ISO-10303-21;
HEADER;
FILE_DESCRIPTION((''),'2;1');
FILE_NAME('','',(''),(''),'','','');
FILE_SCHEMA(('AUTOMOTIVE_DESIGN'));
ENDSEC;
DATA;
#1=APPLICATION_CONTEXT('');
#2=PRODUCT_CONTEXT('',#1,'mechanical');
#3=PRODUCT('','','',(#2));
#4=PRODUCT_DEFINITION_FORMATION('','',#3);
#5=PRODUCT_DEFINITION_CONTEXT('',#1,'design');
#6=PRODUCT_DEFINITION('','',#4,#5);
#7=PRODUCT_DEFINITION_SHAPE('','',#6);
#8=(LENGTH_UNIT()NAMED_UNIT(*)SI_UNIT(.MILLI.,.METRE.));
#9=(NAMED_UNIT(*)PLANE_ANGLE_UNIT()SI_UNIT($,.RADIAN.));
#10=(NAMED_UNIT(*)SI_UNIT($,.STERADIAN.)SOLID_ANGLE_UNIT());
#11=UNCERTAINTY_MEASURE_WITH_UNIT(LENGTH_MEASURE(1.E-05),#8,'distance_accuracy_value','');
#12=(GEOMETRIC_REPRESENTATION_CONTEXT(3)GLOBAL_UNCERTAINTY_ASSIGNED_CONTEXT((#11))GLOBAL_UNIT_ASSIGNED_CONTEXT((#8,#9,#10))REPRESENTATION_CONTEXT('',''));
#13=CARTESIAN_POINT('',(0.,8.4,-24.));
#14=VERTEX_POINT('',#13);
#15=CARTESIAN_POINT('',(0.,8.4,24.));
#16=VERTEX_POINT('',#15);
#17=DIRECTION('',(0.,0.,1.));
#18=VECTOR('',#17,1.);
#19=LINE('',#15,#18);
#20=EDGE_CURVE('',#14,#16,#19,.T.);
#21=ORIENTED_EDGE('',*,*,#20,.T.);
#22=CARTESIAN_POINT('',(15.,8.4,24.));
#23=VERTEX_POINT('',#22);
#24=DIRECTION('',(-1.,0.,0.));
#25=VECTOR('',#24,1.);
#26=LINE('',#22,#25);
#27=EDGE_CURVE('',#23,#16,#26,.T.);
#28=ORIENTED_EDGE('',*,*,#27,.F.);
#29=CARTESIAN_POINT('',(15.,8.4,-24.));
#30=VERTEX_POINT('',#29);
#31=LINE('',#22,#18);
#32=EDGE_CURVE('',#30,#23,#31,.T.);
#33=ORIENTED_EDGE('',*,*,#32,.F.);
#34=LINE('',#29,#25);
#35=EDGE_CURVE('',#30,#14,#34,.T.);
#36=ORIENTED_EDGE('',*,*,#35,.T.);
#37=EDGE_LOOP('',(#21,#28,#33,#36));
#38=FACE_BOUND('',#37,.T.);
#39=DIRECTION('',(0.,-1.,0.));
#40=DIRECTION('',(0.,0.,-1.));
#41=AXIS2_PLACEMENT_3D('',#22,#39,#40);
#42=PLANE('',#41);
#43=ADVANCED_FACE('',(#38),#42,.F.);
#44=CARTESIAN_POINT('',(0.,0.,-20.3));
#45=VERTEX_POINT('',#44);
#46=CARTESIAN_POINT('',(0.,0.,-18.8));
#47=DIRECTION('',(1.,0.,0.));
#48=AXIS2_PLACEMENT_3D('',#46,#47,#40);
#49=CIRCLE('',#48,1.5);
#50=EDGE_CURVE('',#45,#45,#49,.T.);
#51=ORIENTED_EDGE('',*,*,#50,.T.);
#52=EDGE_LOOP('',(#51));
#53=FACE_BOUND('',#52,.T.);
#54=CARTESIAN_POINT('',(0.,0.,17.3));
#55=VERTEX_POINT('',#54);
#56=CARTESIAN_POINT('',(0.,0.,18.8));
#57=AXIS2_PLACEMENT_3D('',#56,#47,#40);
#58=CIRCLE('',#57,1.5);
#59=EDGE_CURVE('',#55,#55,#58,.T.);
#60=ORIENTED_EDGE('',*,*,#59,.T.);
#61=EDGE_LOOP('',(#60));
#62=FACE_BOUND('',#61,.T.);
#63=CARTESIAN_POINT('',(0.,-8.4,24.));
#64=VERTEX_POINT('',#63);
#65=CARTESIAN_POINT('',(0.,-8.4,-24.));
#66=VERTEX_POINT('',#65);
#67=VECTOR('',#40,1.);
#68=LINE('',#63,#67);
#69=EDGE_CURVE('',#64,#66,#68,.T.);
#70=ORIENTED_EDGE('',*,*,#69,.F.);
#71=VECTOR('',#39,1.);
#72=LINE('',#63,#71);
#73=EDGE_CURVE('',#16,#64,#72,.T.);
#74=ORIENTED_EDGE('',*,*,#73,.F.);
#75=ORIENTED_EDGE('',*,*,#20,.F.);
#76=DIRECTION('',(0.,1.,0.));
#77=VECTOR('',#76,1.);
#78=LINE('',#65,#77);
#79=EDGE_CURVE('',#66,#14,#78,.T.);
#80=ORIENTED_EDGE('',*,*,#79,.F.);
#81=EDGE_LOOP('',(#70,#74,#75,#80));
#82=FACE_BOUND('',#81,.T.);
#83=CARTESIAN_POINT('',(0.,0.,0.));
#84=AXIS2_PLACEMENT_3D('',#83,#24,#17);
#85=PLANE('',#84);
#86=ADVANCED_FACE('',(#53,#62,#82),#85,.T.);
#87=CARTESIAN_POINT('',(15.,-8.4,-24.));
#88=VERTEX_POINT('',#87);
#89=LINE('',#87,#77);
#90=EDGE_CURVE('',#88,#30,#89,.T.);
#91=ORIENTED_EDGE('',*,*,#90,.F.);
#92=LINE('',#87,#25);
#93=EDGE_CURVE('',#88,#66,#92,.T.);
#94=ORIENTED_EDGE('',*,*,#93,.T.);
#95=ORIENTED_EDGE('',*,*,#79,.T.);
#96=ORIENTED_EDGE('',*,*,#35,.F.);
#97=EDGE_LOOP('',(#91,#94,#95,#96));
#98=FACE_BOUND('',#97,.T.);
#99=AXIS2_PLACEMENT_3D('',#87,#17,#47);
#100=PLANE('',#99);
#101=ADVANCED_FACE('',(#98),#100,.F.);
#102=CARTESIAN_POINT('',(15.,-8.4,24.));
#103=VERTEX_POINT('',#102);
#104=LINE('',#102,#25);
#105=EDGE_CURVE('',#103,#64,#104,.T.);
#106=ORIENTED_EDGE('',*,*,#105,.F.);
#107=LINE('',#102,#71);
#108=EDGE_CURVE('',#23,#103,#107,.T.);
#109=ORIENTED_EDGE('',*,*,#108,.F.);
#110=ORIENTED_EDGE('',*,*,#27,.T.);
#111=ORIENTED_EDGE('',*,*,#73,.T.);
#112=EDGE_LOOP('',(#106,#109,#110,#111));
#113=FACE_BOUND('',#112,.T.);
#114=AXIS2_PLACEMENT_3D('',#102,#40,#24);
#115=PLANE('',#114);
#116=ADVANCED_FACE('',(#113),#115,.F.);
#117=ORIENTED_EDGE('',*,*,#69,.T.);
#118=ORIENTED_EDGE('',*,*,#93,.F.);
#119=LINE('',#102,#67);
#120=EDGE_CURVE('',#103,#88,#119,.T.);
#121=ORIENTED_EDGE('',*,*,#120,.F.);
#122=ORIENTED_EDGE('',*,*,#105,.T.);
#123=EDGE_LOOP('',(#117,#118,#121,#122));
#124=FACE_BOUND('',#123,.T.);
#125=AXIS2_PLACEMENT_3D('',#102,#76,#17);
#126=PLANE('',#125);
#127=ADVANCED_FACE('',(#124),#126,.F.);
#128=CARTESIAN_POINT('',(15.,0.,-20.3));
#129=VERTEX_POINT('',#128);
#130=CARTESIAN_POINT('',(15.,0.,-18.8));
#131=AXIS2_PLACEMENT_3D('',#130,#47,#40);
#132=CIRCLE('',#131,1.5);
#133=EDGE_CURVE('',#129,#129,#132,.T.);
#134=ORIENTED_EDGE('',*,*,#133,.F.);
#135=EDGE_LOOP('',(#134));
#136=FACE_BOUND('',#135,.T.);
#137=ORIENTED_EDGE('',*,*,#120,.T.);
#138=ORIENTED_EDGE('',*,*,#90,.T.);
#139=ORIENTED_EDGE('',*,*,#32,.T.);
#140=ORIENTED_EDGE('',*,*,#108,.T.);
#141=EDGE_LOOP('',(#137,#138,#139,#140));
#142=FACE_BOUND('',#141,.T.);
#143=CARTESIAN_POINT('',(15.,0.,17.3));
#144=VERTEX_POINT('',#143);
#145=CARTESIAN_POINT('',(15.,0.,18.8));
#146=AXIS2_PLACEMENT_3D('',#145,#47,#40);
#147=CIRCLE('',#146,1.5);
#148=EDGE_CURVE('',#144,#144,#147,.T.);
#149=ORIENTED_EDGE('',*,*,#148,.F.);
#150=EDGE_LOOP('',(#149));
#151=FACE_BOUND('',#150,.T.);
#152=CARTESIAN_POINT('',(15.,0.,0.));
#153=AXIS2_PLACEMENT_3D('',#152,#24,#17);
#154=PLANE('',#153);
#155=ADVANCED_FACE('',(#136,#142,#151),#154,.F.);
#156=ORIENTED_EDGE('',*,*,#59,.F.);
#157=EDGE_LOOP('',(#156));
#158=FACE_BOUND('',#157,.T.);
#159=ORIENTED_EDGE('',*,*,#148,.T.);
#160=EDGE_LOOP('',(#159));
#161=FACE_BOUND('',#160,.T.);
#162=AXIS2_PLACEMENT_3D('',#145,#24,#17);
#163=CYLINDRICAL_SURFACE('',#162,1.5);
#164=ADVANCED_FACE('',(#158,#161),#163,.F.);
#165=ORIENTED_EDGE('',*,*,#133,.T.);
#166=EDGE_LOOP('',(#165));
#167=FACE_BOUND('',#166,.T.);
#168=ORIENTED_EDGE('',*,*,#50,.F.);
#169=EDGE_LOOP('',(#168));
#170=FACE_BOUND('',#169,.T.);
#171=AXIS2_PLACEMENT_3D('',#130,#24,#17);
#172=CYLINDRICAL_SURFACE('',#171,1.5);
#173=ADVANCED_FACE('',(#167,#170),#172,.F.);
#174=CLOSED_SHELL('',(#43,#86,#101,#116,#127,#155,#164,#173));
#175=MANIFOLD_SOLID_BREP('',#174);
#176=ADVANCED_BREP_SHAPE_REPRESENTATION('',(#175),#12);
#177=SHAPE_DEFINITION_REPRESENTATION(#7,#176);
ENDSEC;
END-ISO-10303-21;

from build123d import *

# Parameters (mm, degrees)
CROQUIS1_W              = 48
CROQUIS1_H              = 16.8
CROQUIS1_R              = 1.5
SALIENTE_EXTRUIR1_DEPTH = 15


with BuildPart() as part:
    # Croquis1 → Saliente-Extruir1 (new body)
    with BuildSketch(Plane(origin=(0, 0, 0), x_dir=(0, 0, -1), z_dir=(1, 0, 0))):
        Rectangle(CROQUIS1_W, CROQUIS1_H)
        with Locations((-18.8, 0)):
            Circle(CROQUIS1_R, mode=Mode.SUBTRACT)
        with Locations((18.8, 0)):
            Circle(CROQUIS1_R, mode=Mode.SUBTRACT)
    extrude(amount=SALIENTE_EXTRUIR1_DEPTH)


solid = part.part
